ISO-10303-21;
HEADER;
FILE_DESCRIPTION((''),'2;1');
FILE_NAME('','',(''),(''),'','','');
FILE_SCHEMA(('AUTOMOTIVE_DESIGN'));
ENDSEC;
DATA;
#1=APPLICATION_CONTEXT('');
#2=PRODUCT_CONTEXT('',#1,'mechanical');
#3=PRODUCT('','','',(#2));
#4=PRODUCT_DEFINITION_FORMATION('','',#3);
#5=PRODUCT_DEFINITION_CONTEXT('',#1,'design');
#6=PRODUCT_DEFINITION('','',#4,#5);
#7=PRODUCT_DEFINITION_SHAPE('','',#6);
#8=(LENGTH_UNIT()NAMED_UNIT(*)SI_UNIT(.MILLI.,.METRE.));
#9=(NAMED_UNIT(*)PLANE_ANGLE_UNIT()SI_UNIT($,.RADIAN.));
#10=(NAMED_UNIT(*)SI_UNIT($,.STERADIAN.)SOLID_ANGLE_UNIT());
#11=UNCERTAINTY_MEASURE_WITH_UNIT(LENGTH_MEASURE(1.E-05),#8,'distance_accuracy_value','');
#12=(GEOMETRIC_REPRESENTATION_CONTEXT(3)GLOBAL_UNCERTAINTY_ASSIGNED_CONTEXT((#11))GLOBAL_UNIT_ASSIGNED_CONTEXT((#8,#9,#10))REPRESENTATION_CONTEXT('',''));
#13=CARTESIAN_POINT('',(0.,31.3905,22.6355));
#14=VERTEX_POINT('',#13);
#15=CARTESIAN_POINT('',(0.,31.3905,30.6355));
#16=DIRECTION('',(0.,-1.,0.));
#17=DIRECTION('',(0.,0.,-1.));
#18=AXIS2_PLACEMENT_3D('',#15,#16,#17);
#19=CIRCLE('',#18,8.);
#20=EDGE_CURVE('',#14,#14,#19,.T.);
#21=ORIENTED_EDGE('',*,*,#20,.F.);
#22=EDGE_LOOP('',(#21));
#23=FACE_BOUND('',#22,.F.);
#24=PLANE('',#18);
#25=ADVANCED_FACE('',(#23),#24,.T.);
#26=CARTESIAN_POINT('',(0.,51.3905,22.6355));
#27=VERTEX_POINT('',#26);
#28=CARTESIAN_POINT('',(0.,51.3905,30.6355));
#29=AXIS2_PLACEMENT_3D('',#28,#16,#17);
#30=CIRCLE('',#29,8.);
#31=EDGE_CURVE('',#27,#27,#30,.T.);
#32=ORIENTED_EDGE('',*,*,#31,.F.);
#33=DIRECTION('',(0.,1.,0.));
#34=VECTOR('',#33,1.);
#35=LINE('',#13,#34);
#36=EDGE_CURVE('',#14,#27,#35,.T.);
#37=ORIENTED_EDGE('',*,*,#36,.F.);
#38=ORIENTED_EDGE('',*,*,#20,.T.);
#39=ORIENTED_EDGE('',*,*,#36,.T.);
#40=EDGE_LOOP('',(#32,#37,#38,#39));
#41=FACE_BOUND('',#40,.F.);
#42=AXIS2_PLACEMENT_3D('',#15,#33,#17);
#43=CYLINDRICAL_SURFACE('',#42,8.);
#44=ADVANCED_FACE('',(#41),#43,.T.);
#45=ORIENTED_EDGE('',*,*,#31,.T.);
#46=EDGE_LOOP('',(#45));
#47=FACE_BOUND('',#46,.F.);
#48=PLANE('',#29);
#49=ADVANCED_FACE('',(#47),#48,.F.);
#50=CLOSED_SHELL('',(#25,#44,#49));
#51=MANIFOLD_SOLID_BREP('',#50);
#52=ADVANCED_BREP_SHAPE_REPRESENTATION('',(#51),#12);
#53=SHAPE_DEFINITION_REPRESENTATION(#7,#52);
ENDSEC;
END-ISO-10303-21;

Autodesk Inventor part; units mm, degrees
ref_plane "YZ Plane" through (0, 0, 0) normal (1, 0, 0) x (0, 1, 0)
ref_plane "XZ Plane" through (0, 0, 0) normal (0, 1, 0) x (-1, 0, 0)
ref_plane "XY Plane" through (0, 0, 0) normal (0, 0, 1) x (1, 0, 0)
sketch "Sketch1" plane through (0, 0, 0) normal (1, 0, 0) x (0, 1, 0)
  line L0 (51.3905, 30.6355) -> (31.3905, 30.6355)
  line L1 (31.3905, 30.6355) -> (31.3905, 22.6355)
  line L2 (31.3905, 22.6355) -> (51.3905, 22.6355)
  line L3 (51.3905, 22.6355) -> (51.3905, 30.6355)
  point P0 (0, 0)
  dimension "d0" = 20
  dimension "d1" = 8
revolve "Revolution1" add sketch "Sketch1" angle 360 about axis through (0, 51.3905, 30.6355) along (0, -1, 0)
properties part number "Gear_2"
